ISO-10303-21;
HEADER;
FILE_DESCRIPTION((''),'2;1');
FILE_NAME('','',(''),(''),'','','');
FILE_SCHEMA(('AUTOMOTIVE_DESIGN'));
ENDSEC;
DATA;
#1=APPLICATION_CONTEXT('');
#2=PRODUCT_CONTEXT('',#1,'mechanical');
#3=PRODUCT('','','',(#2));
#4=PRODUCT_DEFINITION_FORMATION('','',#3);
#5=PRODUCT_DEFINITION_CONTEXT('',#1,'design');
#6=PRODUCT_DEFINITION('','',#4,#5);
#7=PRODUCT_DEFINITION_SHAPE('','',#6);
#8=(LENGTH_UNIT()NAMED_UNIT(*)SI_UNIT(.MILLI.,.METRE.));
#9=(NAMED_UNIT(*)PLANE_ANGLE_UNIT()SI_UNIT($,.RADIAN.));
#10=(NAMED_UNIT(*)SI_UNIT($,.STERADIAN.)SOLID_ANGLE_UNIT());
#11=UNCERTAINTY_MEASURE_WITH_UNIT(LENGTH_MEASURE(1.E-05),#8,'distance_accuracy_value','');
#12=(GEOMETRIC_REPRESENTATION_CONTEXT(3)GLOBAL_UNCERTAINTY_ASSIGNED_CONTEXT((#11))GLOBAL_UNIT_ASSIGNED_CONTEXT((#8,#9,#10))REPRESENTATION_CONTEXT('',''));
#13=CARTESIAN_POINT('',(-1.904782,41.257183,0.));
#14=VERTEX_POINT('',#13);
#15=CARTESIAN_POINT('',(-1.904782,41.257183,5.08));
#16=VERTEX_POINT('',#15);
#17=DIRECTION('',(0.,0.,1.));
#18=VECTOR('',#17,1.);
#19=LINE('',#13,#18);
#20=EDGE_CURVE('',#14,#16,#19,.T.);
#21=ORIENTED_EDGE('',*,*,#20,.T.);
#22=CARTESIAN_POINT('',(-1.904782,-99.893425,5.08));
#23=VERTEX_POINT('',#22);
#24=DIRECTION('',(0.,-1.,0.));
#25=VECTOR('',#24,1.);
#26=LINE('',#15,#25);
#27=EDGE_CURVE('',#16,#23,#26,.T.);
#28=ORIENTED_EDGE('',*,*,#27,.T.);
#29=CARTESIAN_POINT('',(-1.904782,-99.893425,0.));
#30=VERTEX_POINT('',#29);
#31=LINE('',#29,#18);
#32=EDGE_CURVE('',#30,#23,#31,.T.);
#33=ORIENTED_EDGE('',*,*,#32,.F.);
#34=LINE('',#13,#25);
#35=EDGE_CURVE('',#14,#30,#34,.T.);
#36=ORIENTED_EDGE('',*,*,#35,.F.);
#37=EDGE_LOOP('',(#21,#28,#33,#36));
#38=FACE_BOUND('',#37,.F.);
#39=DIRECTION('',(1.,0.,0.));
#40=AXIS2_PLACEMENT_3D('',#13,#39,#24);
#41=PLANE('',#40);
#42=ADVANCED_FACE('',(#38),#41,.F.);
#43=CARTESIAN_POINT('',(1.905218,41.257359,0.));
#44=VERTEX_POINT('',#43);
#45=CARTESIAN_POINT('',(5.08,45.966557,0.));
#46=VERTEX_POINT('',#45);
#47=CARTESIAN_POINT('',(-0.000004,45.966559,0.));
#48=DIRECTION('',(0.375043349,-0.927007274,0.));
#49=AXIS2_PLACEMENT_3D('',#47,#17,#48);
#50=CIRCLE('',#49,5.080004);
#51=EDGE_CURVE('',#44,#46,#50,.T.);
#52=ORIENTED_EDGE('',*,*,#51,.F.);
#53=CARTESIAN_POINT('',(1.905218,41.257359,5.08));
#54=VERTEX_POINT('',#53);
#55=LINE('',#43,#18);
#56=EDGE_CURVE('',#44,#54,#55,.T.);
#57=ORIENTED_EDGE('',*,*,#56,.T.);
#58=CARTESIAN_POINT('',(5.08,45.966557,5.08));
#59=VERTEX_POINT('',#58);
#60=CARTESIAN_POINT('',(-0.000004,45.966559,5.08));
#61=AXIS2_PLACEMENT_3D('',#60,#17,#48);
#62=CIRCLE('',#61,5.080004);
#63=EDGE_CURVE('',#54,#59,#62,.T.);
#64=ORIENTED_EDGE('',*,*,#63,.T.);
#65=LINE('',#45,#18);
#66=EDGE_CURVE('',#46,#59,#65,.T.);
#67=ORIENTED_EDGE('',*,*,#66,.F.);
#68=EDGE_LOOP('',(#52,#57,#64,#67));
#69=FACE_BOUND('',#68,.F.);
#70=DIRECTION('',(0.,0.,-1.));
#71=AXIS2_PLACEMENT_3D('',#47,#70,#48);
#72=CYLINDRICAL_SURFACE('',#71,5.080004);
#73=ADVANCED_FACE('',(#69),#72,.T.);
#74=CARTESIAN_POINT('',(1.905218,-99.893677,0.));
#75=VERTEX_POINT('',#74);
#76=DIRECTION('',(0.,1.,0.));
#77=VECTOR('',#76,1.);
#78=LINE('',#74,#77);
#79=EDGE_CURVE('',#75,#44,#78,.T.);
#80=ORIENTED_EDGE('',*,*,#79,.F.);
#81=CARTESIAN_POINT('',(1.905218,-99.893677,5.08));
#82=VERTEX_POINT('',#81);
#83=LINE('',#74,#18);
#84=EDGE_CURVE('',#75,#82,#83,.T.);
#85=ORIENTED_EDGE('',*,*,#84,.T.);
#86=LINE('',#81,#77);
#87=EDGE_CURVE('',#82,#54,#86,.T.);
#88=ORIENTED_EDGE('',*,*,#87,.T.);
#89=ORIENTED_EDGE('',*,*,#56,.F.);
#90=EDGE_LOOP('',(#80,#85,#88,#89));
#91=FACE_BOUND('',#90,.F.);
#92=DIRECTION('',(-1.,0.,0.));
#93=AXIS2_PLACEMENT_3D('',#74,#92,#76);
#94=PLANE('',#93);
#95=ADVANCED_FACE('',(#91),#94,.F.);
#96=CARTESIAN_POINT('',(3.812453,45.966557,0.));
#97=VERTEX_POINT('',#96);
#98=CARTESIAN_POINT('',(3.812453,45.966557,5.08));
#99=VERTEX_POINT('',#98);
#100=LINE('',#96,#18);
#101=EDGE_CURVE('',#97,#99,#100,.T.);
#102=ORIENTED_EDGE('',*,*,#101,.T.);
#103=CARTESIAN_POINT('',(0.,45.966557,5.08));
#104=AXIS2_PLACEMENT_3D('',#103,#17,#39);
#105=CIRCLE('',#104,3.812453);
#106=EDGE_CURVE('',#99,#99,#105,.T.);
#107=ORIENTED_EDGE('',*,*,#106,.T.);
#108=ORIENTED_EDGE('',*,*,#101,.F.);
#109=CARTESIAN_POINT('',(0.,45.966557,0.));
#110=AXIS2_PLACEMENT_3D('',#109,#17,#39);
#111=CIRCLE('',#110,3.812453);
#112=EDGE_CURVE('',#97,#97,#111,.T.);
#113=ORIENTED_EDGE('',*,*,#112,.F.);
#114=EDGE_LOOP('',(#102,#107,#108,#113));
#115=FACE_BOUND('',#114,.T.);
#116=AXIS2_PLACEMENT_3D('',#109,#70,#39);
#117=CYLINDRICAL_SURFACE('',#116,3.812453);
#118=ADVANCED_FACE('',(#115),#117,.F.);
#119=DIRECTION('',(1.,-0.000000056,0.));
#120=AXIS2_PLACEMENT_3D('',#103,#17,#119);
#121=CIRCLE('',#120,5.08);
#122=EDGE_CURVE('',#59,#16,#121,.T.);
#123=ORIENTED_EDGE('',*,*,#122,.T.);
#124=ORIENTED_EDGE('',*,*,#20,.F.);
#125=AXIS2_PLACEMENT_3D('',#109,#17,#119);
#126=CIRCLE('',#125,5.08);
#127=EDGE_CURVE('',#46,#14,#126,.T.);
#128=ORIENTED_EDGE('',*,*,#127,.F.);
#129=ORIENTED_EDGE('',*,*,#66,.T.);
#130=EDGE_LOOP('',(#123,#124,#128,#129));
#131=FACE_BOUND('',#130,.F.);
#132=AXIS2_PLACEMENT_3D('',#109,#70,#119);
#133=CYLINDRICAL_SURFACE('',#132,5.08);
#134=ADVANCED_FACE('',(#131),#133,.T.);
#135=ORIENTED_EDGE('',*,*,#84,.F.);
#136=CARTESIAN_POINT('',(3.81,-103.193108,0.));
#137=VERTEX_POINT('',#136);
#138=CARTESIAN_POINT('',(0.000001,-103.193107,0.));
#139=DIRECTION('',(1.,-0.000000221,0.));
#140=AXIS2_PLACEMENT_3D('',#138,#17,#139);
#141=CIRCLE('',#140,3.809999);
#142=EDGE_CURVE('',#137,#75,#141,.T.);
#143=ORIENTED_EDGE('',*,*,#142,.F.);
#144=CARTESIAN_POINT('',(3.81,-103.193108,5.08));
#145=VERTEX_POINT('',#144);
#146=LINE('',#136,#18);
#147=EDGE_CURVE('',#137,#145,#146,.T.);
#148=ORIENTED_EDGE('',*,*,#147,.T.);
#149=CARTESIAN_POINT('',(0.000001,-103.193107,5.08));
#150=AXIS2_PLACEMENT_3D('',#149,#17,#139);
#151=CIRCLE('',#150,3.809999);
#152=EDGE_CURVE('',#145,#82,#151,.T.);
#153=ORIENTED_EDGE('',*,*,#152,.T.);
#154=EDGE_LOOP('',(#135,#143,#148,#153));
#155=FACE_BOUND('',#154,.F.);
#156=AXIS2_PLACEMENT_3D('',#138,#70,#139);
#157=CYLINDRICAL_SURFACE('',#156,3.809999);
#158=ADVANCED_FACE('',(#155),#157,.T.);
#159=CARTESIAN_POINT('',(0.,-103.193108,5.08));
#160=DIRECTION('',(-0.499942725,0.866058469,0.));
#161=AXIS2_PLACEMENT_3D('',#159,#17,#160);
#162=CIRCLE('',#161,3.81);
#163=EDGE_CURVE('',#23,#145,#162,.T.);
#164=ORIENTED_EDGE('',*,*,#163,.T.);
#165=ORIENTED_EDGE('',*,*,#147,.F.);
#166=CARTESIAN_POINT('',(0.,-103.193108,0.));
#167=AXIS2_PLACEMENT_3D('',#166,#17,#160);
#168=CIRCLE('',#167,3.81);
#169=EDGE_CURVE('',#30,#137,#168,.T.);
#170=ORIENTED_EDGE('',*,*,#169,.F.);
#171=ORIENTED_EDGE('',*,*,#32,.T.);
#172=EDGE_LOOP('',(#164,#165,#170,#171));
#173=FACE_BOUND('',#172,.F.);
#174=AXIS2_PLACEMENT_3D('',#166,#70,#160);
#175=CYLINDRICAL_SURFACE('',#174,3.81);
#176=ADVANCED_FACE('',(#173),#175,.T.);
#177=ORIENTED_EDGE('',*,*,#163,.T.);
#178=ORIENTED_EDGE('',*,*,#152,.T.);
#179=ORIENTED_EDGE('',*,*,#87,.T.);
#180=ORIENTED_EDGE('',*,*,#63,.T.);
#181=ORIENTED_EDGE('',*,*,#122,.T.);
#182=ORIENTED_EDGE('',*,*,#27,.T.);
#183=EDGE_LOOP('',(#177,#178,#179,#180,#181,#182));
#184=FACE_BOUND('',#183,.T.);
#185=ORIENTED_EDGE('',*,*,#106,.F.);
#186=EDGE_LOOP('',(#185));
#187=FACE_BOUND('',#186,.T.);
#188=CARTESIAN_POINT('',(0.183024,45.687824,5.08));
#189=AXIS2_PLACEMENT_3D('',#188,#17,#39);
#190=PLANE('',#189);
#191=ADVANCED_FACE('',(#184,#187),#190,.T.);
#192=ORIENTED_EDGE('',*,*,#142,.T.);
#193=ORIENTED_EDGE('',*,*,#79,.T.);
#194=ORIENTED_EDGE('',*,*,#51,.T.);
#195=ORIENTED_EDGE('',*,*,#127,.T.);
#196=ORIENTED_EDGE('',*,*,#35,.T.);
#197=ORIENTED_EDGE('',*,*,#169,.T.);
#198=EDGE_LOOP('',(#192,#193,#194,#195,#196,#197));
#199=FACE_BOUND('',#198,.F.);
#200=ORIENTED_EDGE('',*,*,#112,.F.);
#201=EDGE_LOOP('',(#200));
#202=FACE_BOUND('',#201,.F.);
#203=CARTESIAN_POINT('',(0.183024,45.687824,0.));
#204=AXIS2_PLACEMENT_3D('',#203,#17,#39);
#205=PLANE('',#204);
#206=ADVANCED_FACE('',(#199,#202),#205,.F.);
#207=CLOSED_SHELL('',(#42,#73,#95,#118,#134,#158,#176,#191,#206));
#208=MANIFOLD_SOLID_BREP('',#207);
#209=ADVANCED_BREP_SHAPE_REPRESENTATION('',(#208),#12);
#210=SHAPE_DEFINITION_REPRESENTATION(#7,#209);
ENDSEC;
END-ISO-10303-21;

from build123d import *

# Parameters (mm, degrees)
F0_R     = 3.812453
F1_DEPTH = 5.08


with BuildPart() as f1:
    # F0 (on Top) → F1 (new body)
    with BuildSketch(Plane.XY):
        with BuildLine():
            ThreePointArc((1.905218, 41.257359), (4.212179, 43.126849), (5.08, 45.966557))
            ThreePointArc((5.08, 45.966557), (-2.839904, 50.178605), (-1.904782, 41.257183))
            ThreePointArc((-1.904782, 41.257183), (0.000236, 40.886557), (1.905218, 41.257359))
        make_face()
        with Locations((0, 45.966557)):
            Circle(F0_R, mode=Mode.SUBTRACT)
        with BuildLine():
            ThreePointArc((1.905218, 41.257359), (0.000236, 40.886557), (-1.904782, 41.257183))
            Line((-1.904782, 41.257183), (-1.904782, 40.316892))
            Line((-1.904782, 40.316892), (1.905218, 40.316892))
            Line((1.905218, 40.316892), (1.905218, 41.257359))
        make_face()
        Polygon((1.905218, 40.316892), (-1.904782, 40.316892), (-1.904782, -99.383108), (0, -99.383108), (1.905218, -99.383108), align=None)
        with BuildLine():
            Line((0, -99.383108), (-1.904782, -99.383108))
            Line((-1.904782, -99.383108), (-1.904782, -99.893425))
            ThreePointArc((-1.904782, -99.893425), (-0.985979, -99.512898), (0, -99.383108))
        make_face()
        with BuildLine():
            Line((1.905218, -99.893677), (1.905218, -99.383108))
            Line((1.905218, -99.383108), (0, -99.383108))
            ThreePointArc((0, -99.383108), (0.986222, -99.512963), (1.905218, -99.893677))
        make_face()
        with BuildLine():
            ThreePointArc((1.905218, -99.893677), (0.986222, -99.512963), (0, -99.383108))
            ThreePointArc((0, -99.383108), (-0.985979, -99.512898), (-1.904782, -99.893425))
            ThreePointArc((-1.904782, -99.893425), (-1.905109, -106.492602), (3.81, -103.193108))
            ThreePointArc((3.81, -103.193108), (3.29962, -101.288217), (1.905218, -99.893677))
        make_face()
    extrude(amount=F1_DEPTH)


solid = f1.part
